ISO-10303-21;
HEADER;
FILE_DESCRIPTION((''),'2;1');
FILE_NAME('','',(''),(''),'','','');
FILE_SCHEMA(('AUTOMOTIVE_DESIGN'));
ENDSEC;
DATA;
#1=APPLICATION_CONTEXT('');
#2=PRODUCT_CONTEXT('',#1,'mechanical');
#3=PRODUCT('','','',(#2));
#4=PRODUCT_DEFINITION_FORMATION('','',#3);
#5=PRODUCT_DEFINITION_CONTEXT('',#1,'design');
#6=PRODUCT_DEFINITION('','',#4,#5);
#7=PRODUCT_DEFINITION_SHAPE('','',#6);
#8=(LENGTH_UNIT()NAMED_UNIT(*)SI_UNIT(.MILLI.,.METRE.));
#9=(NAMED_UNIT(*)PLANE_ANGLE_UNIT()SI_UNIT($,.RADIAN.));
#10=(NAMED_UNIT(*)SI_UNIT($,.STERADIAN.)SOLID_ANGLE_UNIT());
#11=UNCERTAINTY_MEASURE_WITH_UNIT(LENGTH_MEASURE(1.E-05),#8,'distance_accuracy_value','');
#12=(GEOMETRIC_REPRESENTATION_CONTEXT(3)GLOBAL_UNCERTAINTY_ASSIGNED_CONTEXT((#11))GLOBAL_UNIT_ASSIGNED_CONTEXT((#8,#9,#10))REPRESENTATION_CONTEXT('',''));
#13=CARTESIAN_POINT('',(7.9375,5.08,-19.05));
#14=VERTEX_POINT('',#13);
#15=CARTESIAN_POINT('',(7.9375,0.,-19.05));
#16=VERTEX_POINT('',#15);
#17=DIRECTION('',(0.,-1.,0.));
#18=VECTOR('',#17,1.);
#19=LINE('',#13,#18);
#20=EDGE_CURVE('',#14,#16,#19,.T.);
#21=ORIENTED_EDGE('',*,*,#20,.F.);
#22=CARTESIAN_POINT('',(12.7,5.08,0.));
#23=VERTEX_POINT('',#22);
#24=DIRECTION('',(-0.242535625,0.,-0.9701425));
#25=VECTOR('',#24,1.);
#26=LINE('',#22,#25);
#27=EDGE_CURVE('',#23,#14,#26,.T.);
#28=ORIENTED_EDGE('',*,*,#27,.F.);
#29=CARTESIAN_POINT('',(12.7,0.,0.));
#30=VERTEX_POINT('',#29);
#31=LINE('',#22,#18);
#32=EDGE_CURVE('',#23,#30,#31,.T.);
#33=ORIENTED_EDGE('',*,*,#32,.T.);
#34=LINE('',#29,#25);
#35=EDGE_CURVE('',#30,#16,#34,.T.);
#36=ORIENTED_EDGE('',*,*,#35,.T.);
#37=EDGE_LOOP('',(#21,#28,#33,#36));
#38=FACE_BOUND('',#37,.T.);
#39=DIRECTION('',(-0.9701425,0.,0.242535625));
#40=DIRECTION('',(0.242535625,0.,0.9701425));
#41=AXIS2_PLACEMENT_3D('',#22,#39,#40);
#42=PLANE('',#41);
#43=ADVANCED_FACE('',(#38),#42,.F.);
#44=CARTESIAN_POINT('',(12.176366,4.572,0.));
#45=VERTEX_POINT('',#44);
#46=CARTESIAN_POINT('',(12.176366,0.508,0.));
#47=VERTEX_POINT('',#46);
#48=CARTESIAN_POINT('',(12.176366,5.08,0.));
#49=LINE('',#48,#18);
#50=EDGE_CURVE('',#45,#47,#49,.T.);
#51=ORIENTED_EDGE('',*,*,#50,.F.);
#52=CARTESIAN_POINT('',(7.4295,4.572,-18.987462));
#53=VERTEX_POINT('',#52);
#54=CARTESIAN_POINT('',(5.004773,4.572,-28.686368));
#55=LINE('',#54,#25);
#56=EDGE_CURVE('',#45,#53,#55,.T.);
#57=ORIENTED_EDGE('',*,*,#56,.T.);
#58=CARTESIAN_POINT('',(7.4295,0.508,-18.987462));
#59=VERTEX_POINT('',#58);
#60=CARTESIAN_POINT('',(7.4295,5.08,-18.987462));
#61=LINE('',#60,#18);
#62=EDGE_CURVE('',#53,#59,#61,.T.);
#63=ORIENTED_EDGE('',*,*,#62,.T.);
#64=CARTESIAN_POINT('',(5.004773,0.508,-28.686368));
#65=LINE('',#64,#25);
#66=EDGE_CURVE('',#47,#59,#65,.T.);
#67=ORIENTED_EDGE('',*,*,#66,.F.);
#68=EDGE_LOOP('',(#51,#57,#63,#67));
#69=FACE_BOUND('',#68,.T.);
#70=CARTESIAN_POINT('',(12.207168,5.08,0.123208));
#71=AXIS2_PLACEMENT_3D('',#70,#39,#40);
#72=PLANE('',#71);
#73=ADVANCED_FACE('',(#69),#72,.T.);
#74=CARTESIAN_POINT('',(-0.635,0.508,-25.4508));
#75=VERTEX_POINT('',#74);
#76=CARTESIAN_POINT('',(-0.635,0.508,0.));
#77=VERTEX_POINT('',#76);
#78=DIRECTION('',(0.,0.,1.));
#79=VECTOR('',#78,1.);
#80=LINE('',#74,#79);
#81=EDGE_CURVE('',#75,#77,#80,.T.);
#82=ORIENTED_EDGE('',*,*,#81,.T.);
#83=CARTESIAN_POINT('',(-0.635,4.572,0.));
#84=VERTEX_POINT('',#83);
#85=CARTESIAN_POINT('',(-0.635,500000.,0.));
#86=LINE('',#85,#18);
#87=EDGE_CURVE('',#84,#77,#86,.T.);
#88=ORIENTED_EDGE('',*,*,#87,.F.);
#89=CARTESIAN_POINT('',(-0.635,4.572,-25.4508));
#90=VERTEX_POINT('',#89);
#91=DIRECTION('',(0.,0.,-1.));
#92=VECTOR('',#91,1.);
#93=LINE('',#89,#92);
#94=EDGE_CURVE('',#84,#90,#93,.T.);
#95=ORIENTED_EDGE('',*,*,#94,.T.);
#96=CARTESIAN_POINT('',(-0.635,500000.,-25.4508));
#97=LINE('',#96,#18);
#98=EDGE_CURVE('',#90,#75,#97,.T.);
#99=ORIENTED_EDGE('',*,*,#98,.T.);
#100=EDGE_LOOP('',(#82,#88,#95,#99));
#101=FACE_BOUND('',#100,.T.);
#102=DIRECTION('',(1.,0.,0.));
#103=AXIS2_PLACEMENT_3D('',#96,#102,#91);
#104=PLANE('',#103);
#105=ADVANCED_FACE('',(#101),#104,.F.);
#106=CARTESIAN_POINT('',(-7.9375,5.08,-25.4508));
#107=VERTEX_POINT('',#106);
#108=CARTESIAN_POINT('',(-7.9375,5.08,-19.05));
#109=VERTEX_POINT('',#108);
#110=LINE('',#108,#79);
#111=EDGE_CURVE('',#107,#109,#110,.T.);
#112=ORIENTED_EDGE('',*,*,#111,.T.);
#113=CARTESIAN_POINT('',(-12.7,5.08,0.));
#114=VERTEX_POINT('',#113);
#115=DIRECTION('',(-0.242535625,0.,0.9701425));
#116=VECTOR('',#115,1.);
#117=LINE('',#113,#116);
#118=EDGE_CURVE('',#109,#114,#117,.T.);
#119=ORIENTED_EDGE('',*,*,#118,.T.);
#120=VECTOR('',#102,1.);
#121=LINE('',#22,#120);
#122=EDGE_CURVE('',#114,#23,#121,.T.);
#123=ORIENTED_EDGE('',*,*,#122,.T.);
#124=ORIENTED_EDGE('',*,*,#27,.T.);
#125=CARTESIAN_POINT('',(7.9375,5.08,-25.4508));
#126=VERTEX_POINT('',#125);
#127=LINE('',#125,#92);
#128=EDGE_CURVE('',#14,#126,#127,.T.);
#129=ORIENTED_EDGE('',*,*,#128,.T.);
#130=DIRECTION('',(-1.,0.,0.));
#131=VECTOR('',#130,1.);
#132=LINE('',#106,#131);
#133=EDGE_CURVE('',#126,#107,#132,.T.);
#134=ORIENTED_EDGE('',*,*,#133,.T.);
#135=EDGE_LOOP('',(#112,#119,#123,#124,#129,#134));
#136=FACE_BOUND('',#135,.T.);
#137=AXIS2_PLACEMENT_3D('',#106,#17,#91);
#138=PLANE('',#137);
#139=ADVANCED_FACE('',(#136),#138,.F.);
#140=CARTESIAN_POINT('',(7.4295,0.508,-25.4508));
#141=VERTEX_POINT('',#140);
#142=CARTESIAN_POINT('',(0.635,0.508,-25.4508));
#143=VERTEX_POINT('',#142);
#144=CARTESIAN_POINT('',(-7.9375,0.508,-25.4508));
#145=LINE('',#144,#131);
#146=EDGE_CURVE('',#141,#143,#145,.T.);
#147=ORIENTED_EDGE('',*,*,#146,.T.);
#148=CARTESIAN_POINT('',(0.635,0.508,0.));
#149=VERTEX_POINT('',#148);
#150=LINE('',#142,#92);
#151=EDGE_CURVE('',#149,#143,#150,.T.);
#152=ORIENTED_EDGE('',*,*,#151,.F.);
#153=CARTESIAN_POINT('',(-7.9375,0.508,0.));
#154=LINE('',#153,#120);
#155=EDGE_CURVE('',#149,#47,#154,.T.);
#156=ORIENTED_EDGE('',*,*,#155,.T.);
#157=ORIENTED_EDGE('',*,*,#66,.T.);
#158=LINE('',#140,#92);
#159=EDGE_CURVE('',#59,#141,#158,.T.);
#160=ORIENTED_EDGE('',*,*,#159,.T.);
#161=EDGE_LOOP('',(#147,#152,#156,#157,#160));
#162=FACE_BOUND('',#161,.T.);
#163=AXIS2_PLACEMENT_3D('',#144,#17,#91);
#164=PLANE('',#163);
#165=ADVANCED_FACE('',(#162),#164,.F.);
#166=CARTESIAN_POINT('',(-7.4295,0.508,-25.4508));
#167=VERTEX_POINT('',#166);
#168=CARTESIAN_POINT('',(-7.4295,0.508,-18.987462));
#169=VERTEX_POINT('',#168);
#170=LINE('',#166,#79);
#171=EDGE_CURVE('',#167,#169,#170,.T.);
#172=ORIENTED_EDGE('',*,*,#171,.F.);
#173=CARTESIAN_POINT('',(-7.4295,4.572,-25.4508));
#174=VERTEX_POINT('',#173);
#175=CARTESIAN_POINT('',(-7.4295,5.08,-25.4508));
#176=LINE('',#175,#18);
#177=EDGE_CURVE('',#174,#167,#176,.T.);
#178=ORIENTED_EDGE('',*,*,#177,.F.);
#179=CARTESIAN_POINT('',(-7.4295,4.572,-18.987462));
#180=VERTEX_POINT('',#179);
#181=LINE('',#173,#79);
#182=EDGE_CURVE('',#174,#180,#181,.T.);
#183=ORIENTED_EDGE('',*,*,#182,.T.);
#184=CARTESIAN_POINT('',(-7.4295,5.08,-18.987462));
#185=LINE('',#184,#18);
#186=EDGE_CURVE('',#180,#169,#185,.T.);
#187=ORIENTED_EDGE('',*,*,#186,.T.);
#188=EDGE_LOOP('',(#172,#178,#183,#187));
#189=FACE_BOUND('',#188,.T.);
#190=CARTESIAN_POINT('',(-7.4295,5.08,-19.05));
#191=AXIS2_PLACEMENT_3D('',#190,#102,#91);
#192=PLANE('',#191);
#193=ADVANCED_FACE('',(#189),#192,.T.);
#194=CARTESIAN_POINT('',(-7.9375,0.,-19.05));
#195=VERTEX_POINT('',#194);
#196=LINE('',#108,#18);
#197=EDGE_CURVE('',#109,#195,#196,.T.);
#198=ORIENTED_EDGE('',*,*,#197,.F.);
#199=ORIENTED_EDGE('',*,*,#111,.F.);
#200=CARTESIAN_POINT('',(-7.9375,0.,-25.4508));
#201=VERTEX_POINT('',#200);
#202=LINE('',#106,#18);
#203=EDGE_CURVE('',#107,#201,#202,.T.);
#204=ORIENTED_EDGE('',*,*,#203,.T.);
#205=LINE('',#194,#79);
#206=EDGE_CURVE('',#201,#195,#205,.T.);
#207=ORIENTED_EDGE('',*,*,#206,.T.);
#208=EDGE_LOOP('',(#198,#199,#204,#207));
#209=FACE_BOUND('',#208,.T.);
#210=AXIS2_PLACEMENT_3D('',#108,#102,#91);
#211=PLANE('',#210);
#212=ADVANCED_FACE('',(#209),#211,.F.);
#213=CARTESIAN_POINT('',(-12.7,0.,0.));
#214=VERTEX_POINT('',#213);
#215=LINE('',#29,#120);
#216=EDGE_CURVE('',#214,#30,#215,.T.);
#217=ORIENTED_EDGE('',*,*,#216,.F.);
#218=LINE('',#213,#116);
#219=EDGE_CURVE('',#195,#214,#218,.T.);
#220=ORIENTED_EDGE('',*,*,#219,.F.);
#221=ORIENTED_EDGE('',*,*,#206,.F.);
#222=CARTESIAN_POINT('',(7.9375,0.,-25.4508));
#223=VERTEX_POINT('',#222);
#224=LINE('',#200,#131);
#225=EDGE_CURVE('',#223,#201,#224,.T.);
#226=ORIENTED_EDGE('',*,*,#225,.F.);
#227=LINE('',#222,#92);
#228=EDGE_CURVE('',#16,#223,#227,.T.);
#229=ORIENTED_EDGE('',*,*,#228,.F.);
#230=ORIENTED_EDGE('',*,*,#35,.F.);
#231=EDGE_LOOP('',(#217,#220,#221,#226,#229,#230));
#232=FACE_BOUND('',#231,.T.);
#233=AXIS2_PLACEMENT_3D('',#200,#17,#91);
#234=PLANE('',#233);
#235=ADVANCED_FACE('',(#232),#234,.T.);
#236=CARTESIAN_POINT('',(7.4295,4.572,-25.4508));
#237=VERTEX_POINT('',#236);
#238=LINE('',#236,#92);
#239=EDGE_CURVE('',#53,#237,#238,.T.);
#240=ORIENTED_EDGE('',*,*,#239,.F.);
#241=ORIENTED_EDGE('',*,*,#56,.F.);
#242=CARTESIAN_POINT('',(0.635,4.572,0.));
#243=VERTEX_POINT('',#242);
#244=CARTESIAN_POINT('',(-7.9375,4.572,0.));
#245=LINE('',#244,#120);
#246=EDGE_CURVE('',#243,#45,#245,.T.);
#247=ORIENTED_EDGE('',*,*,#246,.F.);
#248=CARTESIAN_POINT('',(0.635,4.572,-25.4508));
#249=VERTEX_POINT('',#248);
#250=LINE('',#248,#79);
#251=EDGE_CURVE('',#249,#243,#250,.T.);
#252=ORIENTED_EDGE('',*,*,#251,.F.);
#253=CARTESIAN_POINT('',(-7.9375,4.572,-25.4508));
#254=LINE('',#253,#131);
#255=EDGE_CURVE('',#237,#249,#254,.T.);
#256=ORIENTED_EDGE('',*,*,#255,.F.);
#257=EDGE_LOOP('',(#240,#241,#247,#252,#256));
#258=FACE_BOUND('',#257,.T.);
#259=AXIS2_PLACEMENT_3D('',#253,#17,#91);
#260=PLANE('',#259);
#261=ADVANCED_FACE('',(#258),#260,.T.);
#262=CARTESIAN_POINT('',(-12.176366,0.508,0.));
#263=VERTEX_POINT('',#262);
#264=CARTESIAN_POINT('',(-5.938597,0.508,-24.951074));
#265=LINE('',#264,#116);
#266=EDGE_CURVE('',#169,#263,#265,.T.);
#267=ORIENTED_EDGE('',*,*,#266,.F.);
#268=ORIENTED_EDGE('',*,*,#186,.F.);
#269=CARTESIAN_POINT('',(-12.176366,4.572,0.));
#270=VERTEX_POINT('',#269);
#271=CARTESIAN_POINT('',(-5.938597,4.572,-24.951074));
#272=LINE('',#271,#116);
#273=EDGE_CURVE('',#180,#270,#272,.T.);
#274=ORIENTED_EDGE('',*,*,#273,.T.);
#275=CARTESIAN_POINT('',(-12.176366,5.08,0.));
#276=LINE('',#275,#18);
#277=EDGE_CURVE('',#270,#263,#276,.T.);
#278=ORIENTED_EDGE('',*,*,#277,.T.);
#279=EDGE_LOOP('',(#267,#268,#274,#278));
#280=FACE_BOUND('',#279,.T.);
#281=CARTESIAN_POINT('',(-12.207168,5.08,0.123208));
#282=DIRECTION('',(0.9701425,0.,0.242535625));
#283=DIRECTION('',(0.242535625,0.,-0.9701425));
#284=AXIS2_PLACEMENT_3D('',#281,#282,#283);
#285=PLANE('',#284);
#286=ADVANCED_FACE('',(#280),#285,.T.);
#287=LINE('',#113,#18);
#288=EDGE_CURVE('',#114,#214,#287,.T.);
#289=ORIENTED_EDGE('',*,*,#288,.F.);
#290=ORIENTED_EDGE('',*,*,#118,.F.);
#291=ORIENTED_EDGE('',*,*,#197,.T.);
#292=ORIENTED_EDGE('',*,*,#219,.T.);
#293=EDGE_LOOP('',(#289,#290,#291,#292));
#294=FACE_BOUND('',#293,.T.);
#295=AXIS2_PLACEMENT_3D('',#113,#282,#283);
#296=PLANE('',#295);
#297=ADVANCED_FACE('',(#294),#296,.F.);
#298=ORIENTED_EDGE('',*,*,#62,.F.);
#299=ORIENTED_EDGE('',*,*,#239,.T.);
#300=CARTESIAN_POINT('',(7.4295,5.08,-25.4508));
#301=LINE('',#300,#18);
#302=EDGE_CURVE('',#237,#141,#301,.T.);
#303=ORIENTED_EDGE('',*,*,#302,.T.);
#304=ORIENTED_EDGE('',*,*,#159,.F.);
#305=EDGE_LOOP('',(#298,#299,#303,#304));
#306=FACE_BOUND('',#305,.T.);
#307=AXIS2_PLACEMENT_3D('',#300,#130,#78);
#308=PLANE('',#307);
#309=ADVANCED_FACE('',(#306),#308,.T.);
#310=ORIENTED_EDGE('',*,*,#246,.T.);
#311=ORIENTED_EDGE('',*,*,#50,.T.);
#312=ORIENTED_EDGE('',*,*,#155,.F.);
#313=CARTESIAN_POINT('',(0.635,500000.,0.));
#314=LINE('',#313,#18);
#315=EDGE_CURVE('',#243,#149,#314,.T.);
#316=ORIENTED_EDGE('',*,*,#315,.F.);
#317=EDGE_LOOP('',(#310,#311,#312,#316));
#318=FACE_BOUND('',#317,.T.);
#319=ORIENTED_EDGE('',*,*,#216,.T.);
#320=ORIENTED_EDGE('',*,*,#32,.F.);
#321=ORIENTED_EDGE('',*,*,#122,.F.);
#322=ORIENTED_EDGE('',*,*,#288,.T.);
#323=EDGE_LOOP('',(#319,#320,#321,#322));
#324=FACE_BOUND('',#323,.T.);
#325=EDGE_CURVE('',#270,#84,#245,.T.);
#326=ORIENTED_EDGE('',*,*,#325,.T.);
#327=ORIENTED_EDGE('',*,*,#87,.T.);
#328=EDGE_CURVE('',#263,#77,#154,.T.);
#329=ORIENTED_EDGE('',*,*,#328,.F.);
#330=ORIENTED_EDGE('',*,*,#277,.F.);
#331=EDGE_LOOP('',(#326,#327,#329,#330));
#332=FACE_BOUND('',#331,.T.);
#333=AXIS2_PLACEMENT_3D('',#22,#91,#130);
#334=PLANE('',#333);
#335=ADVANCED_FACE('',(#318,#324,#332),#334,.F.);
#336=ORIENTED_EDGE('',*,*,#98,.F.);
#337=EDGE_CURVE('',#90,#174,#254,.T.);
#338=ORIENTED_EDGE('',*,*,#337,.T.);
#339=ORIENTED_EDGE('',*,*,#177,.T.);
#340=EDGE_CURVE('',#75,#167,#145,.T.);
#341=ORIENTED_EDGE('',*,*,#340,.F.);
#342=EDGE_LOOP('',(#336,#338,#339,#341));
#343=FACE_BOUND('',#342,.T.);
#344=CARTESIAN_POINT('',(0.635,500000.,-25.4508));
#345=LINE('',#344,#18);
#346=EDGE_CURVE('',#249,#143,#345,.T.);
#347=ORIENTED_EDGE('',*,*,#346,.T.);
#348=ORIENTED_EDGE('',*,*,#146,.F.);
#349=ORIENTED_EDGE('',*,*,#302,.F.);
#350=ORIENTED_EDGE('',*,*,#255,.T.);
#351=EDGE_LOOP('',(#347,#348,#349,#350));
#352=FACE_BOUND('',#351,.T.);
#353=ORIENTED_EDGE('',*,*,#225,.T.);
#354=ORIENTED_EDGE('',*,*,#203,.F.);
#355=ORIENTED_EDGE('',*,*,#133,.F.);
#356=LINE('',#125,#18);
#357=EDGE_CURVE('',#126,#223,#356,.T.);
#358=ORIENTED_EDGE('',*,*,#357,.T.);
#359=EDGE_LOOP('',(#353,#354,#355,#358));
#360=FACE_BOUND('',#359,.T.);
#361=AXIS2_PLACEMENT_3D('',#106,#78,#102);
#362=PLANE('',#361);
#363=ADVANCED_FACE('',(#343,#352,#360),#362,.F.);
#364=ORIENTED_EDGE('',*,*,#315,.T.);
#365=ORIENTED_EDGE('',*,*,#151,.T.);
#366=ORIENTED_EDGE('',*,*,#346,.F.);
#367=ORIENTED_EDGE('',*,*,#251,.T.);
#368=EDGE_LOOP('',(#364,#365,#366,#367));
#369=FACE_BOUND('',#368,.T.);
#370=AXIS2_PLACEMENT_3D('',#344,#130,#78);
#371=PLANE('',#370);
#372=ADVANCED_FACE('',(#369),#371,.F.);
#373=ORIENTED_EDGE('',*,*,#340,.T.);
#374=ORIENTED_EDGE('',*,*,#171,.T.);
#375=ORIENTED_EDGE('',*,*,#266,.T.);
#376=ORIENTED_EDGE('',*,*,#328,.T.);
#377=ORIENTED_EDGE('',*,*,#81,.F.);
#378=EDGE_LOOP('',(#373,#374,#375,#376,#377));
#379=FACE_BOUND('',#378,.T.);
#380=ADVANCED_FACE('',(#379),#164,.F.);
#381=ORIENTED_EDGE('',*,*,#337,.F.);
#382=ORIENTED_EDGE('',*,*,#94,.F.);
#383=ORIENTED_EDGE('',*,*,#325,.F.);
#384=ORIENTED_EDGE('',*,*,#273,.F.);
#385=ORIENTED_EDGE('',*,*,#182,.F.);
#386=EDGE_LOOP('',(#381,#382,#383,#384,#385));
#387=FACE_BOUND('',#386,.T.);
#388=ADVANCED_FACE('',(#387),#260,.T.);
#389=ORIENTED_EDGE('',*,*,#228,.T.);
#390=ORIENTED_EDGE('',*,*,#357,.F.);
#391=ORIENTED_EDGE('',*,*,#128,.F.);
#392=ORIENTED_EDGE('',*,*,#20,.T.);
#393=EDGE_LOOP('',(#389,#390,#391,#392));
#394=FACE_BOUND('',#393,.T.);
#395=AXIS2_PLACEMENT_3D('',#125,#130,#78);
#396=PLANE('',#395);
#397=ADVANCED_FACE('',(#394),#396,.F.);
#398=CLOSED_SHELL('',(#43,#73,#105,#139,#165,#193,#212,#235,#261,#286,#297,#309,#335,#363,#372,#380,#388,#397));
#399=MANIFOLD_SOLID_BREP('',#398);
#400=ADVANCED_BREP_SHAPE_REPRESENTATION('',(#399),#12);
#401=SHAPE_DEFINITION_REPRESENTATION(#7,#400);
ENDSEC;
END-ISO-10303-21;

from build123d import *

# Parameters (mm, degrees)
EXTRUDE1_DEPTH = 5.08
SHELL1_T       = -0.508
EXTRUDE2_REACH = 6.572
SKETCH2_W      = 1.27
SKETCH2_H      = 25.4508


with BuildPart() as part:
    # Sketch1 → Extrude1 (new body)
    with BuildSketch(Plane(origin=(0, 0, 0), x_dir=(1, 0, 0), z_dir=(0, 1, 0))):
        Polygon((12.7, 0), (-12.7, 0), (-7.9375, 19.05), (-7.9375, 25.4508), (7.9375, 25.4508), (7.9375, 19.05), align=None)
    extrude(amount=EXTRUDE1_DEPTH)

    # Shell1
    shell1_openings = [part.faces().sort_by_distance(p)[0] for p in [
        (0, 2.54, -25.4508),
        (0, 2.54, 0),
    ]]
    offset(amount=SHELL1_T, openings=shell1_openings, kind=Kind.INTERSECTION)

    # Sketch2 → Extrude2 (add, up to next)
    with BuildSketch(Plane(origin=(0, 0.508, 0), x_dir=(-1, 0, 0), z_dir=(0, 1, 0)), mode=Mode.PRIVATE) as extrude2_sk1:
        with Locations((0, -12.7254)):
            Rectangle(SKETCH2_W, SKETCH2_H)
    extrude2_tool1 = extrude(extrude2_sk1.sketch, amount=EXTRUDE2_REACH, mode=Mode.PRIVATE) - part.part
    add(extrude2_tool1.solids().sort_by_distance((0, 0.508, -12.7254))[0])


solid = part.part
